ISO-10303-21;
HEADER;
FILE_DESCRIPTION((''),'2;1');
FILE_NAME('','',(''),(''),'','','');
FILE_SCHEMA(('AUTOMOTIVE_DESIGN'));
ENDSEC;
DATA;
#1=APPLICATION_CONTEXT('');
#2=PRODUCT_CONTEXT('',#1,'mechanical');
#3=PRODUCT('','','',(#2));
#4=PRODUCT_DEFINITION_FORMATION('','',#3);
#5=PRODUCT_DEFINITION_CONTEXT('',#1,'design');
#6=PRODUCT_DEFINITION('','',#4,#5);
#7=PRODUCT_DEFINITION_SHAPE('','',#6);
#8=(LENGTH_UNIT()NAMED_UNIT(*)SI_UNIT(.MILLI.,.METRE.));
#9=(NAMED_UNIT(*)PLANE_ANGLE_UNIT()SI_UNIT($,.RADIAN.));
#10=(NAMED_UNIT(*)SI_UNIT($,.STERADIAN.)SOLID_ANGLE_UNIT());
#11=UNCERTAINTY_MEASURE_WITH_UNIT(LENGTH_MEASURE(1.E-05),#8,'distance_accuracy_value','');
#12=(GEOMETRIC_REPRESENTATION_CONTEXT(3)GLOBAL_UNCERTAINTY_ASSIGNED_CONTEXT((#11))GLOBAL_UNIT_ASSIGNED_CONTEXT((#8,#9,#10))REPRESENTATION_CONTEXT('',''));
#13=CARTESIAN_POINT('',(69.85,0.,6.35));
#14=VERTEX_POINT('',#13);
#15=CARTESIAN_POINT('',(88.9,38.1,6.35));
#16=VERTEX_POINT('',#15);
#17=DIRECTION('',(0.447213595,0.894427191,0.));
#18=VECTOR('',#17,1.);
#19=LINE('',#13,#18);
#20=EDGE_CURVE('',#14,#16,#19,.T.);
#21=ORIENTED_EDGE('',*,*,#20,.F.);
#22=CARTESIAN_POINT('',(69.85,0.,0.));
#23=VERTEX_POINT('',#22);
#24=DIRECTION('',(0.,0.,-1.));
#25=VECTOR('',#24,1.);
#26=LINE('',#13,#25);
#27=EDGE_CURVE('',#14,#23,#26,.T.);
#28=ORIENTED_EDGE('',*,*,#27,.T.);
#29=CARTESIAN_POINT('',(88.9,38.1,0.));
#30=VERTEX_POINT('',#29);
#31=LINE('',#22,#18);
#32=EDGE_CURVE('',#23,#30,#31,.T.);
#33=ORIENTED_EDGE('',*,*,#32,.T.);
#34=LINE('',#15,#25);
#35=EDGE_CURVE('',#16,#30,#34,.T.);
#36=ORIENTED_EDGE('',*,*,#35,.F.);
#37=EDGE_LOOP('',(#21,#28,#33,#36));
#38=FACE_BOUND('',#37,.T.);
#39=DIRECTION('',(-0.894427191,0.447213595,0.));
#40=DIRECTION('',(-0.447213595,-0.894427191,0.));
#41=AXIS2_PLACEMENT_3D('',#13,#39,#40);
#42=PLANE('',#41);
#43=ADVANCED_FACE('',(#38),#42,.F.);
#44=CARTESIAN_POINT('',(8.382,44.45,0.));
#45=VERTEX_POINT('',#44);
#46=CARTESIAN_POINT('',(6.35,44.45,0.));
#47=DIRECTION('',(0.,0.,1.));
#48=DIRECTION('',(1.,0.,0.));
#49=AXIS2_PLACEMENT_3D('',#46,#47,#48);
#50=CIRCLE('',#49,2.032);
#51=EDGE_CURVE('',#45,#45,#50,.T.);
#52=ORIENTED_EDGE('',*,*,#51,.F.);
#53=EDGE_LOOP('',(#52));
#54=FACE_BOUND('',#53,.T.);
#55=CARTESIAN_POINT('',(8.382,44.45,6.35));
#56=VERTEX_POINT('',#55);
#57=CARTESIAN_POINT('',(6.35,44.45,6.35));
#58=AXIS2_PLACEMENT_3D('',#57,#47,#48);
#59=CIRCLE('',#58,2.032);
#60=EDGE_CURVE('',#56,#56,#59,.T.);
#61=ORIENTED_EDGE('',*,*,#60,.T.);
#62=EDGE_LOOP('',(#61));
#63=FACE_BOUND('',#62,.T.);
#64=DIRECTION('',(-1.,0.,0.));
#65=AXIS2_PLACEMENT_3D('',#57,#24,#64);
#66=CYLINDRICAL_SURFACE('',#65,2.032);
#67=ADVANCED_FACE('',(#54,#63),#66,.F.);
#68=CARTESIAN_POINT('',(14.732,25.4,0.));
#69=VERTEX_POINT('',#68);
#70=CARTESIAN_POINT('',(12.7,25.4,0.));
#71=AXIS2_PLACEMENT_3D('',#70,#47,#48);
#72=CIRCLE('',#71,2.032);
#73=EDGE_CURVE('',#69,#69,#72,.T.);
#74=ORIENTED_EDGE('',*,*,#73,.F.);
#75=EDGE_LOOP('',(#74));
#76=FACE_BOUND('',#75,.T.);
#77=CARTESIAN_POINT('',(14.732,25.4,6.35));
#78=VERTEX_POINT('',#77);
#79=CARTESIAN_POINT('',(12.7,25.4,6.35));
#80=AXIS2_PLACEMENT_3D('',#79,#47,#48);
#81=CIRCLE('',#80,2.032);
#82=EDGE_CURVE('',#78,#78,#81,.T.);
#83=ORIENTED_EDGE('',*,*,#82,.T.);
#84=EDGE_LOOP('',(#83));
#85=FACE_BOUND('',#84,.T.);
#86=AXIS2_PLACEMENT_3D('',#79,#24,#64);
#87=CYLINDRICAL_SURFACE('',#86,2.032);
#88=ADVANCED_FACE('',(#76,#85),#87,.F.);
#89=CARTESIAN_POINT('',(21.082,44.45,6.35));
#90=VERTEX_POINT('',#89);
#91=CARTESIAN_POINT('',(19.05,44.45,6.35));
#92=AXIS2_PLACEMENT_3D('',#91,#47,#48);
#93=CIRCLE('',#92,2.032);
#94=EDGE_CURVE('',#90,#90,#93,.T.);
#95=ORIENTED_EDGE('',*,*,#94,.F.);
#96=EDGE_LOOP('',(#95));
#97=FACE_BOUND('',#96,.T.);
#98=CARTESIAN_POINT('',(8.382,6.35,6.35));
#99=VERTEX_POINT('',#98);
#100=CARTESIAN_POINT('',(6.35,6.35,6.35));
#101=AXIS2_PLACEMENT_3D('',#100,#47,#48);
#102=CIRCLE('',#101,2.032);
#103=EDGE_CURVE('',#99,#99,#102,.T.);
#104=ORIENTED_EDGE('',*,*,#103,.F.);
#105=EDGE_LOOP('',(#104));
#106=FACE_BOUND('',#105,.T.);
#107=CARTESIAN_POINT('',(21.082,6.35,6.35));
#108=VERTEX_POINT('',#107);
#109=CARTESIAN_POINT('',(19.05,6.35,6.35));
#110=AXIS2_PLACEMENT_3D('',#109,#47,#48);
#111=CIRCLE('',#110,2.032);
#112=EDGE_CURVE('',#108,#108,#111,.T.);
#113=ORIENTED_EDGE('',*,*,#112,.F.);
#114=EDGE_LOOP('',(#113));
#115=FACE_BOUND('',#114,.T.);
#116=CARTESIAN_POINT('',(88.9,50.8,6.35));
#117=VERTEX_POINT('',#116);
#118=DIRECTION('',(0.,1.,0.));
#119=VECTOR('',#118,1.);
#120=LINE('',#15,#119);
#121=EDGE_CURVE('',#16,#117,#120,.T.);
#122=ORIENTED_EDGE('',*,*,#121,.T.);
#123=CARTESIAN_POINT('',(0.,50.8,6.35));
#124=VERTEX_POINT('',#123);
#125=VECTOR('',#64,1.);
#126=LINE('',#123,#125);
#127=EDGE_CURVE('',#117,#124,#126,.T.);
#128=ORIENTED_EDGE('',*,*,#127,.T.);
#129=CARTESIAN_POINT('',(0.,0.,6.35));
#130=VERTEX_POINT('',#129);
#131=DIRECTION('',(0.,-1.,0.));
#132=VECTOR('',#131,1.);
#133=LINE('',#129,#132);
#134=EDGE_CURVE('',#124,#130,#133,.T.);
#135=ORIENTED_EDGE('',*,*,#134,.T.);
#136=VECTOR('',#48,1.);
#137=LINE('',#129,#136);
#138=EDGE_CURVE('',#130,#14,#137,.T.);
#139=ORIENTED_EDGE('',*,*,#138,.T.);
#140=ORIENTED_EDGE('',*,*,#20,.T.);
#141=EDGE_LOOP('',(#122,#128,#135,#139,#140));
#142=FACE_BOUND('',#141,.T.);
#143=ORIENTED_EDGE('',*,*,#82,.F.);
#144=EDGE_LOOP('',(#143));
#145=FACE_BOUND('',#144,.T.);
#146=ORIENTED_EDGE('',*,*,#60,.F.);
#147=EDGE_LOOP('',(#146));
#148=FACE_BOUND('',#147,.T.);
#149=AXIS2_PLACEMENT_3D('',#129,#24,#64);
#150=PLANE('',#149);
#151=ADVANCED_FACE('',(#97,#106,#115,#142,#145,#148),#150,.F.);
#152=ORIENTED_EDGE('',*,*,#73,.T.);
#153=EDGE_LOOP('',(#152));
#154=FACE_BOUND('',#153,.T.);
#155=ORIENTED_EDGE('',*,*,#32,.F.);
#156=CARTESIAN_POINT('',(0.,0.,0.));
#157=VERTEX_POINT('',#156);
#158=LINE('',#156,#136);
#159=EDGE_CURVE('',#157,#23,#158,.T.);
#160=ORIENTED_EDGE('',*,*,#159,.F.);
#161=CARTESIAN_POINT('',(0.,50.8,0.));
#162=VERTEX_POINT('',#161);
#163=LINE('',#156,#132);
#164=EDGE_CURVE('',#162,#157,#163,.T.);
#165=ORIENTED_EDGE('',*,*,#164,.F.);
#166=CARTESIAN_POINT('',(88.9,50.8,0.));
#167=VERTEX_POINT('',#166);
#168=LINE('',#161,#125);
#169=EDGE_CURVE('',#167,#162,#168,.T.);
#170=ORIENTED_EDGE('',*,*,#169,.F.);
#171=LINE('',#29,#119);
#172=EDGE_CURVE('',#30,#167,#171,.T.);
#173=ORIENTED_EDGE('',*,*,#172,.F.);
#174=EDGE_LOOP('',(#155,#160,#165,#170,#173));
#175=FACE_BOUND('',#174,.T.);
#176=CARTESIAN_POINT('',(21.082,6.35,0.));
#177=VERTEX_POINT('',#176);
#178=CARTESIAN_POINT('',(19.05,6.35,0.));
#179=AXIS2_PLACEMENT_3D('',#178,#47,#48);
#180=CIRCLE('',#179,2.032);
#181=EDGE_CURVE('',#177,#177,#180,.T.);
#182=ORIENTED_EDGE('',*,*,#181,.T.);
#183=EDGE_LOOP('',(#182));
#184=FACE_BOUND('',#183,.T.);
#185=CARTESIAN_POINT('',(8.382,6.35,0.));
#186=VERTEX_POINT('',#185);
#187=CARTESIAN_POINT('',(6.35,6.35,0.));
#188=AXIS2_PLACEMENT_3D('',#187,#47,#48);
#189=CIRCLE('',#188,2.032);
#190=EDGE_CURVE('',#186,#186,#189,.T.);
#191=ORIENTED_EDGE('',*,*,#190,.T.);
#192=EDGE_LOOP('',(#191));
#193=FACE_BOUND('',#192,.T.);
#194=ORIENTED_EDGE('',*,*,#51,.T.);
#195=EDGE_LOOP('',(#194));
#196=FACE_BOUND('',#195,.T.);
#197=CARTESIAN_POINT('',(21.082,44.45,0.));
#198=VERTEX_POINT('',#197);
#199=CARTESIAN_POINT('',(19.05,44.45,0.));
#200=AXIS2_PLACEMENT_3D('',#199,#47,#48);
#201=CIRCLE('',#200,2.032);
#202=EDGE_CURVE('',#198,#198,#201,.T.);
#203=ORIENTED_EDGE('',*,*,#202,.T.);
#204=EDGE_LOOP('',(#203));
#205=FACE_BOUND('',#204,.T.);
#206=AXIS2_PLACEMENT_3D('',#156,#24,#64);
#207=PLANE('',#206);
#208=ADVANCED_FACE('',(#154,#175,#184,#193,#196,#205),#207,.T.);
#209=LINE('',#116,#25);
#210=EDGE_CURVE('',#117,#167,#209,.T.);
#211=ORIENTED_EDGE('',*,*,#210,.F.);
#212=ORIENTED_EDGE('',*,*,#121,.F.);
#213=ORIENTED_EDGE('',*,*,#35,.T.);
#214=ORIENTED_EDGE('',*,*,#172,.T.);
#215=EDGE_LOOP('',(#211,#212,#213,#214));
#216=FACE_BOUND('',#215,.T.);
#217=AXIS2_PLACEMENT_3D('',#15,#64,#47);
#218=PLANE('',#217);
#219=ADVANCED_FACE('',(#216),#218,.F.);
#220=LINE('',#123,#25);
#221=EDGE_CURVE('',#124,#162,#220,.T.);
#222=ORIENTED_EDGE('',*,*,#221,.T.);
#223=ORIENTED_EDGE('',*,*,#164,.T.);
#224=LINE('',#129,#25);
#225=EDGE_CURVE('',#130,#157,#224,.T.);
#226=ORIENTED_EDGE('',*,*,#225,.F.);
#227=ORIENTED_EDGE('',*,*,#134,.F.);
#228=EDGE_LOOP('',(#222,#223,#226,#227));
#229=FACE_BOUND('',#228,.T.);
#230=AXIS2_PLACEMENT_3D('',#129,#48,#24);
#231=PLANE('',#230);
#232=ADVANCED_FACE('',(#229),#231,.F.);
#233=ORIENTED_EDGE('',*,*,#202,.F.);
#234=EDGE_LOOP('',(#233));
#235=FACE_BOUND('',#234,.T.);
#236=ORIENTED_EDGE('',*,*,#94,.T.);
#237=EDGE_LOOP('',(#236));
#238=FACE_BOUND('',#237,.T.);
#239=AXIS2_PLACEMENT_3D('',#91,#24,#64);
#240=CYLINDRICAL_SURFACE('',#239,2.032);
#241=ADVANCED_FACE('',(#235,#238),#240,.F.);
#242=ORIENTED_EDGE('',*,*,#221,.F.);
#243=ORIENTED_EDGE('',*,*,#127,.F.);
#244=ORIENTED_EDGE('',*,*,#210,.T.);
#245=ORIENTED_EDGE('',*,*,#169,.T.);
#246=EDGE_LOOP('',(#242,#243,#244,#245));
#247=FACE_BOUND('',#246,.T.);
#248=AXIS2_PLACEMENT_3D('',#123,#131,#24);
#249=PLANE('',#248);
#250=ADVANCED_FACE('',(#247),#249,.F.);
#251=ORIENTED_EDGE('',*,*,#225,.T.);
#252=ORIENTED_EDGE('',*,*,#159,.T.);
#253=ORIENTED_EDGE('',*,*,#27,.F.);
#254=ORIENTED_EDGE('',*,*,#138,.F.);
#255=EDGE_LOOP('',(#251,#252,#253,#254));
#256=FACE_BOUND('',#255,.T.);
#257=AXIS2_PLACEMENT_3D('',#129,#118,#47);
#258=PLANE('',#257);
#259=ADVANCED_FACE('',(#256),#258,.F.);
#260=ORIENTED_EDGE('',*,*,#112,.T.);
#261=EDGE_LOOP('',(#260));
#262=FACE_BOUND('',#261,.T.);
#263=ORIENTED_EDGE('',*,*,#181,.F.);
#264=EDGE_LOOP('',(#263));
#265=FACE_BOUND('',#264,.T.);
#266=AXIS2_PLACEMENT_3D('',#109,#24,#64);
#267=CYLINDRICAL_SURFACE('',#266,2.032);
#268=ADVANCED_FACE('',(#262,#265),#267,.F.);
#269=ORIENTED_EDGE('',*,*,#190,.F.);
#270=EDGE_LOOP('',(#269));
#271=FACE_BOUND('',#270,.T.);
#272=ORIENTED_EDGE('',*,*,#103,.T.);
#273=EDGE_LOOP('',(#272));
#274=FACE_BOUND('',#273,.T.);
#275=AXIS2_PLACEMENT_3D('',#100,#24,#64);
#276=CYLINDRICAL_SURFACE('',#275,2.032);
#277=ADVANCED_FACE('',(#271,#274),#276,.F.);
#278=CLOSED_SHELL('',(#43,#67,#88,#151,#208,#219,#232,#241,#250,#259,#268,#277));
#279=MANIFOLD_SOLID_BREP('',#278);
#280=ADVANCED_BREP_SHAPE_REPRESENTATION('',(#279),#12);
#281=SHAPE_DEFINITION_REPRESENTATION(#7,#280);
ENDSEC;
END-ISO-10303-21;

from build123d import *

# Parameters (mm, degrees)
SKETCH1_R           = 2.032
BOSS_EXTRUDE1_DEPTH = 6.35


with BuildPart() as part:
    # Sketch1 → Boss-Extrude1 (new body)
    with BuildSketch(Plane.XY):
        Polygon((69.85, 0), (88.9, 38.1), (88.9, 50.8), (0, 50.8), (0, 0), align=None)
        with Locations((6.35, 6.35)):
            Circle(SKETCH1_R, mode=Mode.SUBTRACT)
        with Locations((19.05, 6.35)):
            Circle(SKETCH1_R, mode=Mode.SUBTRACT)
        with Locations((19.05, 44.45)):
            Circle(SKETCH1_R, mode=Mode.SUBTRACT)
        with Locations((6.35, 44.45)):
            Circle(SKETCH1_R, mode=Mode.SUBTRACT)
        with Locations((12.7, 25.4)):
            Circle(SKETCH1_R, mode=Mode.SUBTRACT)
    extrude(amount=BOSS_EXTRUDE1_DEPTH)


solid = part.part
